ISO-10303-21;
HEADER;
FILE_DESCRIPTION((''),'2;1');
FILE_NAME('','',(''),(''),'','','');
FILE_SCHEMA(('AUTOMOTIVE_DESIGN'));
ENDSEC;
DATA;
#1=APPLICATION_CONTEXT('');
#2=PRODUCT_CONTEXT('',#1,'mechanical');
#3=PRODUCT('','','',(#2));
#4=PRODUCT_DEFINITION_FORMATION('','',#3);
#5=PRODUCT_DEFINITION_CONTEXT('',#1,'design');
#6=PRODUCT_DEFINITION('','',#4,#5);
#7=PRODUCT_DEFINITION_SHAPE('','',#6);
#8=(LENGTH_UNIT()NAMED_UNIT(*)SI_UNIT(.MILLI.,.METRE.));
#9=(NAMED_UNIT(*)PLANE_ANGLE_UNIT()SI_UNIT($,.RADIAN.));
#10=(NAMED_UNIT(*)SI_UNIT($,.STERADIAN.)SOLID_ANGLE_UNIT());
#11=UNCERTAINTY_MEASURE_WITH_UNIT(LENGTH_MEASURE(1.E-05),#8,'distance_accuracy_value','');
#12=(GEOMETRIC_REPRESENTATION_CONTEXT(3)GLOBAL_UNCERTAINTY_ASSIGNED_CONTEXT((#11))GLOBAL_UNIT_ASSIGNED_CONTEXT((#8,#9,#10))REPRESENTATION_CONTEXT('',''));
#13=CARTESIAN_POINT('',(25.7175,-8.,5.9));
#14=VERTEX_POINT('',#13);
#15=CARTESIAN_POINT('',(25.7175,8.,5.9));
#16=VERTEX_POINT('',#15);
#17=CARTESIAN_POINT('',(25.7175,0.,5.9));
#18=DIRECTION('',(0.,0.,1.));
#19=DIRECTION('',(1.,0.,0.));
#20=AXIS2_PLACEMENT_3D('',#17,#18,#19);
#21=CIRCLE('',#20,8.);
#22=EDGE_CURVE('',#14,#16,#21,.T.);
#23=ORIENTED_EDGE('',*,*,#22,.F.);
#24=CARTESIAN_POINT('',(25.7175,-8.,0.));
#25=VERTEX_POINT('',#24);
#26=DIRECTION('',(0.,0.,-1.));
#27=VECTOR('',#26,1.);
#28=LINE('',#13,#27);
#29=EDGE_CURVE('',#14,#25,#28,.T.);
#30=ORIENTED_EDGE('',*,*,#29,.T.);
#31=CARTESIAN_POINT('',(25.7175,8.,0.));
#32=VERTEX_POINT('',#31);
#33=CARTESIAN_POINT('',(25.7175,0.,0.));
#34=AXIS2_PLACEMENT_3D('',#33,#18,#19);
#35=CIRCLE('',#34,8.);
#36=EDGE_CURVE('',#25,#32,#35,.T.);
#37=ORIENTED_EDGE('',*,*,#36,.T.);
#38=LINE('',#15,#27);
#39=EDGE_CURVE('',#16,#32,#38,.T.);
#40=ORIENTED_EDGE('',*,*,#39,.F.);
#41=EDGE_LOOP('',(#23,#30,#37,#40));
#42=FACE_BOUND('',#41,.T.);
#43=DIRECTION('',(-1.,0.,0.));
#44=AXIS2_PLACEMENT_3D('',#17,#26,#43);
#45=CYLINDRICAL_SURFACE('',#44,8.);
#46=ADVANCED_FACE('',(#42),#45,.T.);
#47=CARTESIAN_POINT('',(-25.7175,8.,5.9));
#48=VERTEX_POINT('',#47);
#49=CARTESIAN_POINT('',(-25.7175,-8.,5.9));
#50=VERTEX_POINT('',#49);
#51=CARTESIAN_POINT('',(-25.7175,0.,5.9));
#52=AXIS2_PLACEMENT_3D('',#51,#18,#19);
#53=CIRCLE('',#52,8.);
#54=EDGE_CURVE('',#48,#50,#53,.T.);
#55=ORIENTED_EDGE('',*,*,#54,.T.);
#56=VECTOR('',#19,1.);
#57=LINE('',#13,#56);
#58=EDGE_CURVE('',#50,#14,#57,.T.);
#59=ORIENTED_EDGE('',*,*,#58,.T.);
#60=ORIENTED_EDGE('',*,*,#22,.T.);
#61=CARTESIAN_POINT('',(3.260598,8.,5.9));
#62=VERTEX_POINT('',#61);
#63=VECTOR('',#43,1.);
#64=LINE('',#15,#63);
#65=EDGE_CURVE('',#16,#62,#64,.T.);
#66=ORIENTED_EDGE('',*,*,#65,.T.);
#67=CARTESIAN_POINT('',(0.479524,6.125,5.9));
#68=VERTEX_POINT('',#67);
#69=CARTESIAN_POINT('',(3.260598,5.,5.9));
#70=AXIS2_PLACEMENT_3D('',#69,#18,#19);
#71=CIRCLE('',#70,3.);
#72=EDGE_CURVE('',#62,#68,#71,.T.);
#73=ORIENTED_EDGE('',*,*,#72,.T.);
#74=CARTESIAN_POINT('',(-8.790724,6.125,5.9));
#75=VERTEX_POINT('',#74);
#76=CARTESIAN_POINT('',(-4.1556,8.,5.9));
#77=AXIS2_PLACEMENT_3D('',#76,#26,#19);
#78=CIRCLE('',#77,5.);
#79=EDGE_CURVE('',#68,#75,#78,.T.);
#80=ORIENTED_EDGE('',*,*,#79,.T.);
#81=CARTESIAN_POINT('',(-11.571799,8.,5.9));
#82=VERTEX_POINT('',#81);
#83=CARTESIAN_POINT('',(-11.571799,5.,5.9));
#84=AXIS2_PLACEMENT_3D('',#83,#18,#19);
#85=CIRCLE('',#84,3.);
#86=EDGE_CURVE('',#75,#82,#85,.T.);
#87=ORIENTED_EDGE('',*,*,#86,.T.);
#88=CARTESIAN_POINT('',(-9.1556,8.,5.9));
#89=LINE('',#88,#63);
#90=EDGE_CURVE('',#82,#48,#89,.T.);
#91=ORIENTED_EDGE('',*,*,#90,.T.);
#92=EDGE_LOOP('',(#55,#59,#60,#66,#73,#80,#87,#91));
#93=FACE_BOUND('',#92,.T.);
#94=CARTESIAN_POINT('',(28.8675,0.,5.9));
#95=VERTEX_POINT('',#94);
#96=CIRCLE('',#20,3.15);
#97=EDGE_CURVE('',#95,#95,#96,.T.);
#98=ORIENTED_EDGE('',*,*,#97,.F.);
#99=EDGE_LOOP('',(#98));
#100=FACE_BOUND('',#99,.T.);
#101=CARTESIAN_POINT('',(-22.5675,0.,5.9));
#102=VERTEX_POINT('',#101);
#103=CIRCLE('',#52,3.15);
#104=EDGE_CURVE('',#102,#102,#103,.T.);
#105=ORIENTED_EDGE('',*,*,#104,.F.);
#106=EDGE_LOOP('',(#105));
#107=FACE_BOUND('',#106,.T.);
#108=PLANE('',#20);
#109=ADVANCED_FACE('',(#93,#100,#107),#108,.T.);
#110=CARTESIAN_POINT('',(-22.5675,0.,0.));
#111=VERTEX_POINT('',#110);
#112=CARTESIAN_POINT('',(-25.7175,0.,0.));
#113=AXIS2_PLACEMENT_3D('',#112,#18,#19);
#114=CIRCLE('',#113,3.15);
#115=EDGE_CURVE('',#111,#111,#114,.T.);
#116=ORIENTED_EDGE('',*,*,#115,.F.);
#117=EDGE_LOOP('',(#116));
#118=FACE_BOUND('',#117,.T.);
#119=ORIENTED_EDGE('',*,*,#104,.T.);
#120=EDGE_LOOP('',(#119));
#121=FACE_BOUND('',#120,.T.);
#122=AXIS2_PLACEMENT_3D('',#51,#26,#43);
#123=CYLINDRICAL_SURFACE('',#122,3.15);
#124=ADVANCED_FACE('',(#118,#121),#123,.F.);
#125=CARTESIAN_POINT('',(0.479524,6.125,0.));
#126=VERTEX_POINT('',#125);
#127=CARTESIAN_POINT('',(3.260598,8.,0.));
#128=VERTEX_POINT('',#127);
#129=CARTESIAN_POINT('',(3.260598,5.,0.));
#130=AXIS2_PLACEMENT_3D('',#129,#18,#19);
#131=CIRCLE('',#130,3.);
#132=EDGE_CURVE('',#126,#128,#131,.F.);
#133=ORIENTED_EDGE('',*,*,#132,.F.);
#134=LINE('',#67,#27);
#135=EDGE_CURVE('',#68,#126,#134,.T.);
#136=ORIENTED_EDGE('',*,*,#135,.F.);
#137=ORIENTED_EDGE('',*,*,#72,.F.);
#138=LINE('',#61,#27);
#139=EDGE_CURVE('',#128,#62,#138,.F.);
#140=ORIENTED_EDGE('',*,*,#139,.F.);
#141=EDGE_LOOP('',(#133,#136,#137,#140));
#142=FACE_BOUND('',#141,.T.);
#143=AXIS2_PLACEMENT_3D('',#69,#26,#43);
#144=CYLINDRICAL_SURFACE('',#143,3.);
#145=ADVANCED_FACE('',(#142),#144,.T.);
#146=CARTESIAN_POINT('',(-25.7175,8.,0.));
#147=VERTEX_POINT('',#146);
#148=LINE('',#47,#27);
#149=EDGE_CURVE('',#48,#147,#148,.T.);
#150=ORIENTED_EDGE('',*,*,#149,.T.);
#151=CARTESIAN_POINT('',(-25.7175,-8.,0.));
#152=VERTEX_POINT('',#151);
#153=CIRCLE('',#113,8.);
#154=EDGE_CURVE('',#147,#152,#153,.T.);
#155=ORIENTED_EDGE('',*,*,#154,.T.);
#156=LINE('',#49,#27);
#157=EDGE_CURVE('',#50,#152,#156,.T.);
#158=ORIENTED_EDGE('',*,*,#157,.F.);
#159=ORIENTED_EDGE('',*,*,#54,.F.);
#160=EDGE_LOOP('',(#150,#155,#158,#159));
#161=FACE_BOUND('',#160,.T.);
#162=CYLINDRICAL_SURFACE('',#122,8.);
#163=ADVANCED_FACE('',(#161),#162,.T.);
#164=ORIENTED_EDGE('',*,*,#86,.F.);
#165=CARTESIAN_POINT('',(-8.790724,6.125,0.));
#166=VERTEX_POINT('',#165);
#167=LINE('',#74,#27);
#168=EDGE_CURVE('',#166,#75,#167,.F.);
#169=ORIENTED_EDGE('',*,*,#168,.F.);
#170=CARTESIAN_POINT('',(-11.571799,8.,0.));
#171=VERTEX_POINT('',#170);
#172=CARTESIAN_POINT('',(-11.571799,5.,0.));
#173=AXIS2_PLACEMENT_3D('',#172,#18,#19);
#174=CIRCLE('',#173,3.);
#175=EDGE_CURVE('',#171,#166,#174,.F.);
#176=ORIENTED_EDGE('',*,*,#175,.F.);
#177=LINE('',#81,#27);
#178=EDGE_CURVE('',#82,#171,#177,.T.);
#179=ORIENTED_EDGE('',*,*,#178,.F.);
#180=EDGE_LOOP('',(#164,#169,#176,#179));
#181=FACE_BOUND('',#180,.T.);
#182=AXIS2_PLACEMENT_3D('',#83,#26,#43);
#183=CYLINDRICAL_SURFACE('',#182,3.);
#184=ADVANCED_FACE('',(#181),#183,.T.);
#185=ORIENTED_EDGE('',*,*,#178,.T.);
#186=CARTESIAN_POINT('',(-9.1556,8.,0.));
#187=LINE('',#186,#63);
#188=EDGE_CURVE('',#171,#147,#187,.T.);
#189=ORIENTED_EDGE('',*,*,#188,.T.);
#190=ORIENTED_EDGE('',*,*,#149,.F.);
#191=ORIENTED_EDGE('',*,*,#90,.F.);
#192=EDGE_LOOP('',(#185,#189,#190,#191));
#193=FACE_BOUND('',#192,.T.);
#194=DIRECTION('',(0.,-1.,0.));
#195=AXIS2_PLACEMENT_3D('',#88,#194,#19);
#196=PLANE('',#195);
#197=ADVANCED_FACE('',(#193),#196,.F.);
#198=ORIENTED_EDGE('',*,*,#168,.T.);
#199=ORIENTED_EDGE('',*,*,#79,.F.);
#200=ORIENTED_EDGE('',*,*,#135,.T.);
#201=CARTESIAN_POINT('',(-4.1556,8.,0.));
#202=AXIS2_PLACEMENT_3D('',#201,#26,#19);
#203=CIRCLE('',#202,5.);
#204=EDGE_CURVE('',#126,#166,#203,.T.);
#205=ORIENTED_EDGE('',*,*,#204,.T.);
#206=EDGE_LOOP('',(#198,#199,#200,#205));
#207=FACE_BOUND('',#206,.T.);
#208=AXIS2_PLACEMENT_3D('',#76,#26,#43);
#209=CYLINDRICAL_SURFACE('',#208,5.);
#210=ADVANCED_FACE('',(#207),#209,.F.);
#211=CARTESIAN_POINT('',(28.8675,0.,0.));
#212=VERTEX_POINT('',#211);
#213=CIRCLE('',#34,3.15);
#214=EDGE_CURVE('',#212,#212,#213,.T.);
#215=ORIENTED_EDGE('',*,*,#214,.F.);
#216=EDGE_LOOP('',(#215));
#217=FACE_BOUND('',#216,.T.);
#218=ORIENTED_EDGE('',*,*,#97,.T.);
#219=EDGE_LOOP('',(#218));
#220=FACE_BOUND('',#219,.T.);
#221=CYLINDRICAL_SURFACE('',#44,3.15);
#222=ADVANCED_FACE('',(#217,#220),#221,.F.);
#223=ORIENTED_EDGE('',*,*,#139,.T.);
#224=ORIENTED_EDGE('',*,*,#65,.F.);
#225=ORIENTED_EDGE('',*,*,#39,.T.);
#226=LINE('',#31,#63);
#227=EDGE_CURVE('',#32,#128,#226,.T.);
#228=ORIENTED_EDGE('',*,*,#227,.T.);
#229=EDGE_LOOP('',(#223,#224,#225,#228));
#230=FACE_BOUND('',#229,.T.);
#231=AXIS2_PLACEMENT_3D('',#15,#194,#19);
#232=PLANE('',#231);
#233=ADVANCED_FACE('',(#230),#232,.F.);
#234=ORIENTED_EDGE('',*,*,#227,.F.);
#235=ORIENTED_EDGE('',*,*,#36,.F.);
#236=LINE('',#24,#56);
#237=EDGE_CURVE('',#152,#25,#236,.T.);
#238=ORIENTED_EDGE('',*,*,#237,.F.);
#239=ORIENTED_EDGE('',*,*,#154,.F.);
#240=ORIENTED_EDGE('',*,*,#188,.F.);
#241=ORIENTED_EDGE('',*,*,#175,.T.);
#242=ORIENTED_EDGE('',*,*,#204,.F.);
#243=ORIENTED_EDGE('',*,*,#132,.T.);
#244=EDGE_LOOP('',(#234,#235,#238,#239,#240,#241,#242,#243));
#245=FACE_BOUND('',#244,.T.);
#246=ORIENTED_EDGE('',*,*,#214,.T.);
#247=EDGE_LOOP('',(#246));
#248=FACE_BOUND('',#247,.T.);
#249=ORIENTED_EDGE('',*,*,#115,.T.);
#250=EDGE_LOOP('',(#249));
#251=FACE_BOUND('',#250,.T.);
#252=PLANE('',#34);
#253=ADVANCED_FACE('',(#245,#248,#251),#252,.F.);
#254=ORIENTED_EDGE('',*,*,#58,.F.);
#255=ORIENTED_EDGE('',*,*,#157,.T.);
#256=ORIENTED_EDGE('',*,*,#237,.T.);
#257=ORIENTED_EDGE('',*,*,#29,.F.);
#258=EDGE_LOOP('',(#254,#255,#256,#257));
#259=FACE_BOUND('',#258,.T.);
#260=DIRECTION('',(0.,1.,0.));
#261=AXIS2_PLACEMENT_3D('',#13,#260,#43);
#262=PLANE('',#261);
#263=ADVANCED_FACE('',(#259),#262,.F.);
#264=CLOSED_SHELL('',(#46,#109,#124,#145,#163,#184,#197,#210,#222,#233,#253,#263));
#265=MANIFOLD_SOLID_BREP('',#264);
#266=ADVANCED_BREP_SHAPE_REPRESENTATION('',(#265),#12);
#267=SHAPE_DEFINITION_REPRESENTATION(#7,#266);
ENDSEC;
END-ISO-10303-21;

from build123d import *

# Parameters (mm, degrees)
SKETCH1_R           = 3.15
BOSS_EXTRUDE1_DEPTH = 5.9
FILLET1_R           = 3


with BuildPart() as part:
    # Sketch1 → Boss-Extrude1 (new body)
    with BuildSketch(Plane.XY):
        with BuildLine():
            Line((25.7175, -8), (-25.7175, -8))
            ThreePointArc((-25.7175, -8), (-33.7175, 0), (-25.7175, 8))
            Line((-25.7175, 8), (-9.155600281, 8))
            ThreePointArc((-9.155600281, 8), (-4.155600281, 3), (0.844399719, 8))
            Line((0.844399719, 8), (25.7175, 8))
            ThreePointArc((25.7175, 8), (33.7175, 0), (25.7175, -8))
        make_face()
        with Locations((25.7175, 0)):
            Circle(SKETCH1_R, mode=Mode.SUBTRACT)
        with Locations((-25.7175, 0)):
            Circle(SKETCH1_R, mode=Mode.SUBTRACT)
    extrude(amount=BOSS_EXTRUDE1_DEPTH)

    # Fillet1
    fillet1_edges = [part.edges().sort_by_distance(p)[0] for p in [
        (-9.155600281, 8, 2.95),
        (0.844399719, 8, 2.95),
    ]]
    fillet(fillet1_edges, radius=FILLET1_R)


solid = part.part
